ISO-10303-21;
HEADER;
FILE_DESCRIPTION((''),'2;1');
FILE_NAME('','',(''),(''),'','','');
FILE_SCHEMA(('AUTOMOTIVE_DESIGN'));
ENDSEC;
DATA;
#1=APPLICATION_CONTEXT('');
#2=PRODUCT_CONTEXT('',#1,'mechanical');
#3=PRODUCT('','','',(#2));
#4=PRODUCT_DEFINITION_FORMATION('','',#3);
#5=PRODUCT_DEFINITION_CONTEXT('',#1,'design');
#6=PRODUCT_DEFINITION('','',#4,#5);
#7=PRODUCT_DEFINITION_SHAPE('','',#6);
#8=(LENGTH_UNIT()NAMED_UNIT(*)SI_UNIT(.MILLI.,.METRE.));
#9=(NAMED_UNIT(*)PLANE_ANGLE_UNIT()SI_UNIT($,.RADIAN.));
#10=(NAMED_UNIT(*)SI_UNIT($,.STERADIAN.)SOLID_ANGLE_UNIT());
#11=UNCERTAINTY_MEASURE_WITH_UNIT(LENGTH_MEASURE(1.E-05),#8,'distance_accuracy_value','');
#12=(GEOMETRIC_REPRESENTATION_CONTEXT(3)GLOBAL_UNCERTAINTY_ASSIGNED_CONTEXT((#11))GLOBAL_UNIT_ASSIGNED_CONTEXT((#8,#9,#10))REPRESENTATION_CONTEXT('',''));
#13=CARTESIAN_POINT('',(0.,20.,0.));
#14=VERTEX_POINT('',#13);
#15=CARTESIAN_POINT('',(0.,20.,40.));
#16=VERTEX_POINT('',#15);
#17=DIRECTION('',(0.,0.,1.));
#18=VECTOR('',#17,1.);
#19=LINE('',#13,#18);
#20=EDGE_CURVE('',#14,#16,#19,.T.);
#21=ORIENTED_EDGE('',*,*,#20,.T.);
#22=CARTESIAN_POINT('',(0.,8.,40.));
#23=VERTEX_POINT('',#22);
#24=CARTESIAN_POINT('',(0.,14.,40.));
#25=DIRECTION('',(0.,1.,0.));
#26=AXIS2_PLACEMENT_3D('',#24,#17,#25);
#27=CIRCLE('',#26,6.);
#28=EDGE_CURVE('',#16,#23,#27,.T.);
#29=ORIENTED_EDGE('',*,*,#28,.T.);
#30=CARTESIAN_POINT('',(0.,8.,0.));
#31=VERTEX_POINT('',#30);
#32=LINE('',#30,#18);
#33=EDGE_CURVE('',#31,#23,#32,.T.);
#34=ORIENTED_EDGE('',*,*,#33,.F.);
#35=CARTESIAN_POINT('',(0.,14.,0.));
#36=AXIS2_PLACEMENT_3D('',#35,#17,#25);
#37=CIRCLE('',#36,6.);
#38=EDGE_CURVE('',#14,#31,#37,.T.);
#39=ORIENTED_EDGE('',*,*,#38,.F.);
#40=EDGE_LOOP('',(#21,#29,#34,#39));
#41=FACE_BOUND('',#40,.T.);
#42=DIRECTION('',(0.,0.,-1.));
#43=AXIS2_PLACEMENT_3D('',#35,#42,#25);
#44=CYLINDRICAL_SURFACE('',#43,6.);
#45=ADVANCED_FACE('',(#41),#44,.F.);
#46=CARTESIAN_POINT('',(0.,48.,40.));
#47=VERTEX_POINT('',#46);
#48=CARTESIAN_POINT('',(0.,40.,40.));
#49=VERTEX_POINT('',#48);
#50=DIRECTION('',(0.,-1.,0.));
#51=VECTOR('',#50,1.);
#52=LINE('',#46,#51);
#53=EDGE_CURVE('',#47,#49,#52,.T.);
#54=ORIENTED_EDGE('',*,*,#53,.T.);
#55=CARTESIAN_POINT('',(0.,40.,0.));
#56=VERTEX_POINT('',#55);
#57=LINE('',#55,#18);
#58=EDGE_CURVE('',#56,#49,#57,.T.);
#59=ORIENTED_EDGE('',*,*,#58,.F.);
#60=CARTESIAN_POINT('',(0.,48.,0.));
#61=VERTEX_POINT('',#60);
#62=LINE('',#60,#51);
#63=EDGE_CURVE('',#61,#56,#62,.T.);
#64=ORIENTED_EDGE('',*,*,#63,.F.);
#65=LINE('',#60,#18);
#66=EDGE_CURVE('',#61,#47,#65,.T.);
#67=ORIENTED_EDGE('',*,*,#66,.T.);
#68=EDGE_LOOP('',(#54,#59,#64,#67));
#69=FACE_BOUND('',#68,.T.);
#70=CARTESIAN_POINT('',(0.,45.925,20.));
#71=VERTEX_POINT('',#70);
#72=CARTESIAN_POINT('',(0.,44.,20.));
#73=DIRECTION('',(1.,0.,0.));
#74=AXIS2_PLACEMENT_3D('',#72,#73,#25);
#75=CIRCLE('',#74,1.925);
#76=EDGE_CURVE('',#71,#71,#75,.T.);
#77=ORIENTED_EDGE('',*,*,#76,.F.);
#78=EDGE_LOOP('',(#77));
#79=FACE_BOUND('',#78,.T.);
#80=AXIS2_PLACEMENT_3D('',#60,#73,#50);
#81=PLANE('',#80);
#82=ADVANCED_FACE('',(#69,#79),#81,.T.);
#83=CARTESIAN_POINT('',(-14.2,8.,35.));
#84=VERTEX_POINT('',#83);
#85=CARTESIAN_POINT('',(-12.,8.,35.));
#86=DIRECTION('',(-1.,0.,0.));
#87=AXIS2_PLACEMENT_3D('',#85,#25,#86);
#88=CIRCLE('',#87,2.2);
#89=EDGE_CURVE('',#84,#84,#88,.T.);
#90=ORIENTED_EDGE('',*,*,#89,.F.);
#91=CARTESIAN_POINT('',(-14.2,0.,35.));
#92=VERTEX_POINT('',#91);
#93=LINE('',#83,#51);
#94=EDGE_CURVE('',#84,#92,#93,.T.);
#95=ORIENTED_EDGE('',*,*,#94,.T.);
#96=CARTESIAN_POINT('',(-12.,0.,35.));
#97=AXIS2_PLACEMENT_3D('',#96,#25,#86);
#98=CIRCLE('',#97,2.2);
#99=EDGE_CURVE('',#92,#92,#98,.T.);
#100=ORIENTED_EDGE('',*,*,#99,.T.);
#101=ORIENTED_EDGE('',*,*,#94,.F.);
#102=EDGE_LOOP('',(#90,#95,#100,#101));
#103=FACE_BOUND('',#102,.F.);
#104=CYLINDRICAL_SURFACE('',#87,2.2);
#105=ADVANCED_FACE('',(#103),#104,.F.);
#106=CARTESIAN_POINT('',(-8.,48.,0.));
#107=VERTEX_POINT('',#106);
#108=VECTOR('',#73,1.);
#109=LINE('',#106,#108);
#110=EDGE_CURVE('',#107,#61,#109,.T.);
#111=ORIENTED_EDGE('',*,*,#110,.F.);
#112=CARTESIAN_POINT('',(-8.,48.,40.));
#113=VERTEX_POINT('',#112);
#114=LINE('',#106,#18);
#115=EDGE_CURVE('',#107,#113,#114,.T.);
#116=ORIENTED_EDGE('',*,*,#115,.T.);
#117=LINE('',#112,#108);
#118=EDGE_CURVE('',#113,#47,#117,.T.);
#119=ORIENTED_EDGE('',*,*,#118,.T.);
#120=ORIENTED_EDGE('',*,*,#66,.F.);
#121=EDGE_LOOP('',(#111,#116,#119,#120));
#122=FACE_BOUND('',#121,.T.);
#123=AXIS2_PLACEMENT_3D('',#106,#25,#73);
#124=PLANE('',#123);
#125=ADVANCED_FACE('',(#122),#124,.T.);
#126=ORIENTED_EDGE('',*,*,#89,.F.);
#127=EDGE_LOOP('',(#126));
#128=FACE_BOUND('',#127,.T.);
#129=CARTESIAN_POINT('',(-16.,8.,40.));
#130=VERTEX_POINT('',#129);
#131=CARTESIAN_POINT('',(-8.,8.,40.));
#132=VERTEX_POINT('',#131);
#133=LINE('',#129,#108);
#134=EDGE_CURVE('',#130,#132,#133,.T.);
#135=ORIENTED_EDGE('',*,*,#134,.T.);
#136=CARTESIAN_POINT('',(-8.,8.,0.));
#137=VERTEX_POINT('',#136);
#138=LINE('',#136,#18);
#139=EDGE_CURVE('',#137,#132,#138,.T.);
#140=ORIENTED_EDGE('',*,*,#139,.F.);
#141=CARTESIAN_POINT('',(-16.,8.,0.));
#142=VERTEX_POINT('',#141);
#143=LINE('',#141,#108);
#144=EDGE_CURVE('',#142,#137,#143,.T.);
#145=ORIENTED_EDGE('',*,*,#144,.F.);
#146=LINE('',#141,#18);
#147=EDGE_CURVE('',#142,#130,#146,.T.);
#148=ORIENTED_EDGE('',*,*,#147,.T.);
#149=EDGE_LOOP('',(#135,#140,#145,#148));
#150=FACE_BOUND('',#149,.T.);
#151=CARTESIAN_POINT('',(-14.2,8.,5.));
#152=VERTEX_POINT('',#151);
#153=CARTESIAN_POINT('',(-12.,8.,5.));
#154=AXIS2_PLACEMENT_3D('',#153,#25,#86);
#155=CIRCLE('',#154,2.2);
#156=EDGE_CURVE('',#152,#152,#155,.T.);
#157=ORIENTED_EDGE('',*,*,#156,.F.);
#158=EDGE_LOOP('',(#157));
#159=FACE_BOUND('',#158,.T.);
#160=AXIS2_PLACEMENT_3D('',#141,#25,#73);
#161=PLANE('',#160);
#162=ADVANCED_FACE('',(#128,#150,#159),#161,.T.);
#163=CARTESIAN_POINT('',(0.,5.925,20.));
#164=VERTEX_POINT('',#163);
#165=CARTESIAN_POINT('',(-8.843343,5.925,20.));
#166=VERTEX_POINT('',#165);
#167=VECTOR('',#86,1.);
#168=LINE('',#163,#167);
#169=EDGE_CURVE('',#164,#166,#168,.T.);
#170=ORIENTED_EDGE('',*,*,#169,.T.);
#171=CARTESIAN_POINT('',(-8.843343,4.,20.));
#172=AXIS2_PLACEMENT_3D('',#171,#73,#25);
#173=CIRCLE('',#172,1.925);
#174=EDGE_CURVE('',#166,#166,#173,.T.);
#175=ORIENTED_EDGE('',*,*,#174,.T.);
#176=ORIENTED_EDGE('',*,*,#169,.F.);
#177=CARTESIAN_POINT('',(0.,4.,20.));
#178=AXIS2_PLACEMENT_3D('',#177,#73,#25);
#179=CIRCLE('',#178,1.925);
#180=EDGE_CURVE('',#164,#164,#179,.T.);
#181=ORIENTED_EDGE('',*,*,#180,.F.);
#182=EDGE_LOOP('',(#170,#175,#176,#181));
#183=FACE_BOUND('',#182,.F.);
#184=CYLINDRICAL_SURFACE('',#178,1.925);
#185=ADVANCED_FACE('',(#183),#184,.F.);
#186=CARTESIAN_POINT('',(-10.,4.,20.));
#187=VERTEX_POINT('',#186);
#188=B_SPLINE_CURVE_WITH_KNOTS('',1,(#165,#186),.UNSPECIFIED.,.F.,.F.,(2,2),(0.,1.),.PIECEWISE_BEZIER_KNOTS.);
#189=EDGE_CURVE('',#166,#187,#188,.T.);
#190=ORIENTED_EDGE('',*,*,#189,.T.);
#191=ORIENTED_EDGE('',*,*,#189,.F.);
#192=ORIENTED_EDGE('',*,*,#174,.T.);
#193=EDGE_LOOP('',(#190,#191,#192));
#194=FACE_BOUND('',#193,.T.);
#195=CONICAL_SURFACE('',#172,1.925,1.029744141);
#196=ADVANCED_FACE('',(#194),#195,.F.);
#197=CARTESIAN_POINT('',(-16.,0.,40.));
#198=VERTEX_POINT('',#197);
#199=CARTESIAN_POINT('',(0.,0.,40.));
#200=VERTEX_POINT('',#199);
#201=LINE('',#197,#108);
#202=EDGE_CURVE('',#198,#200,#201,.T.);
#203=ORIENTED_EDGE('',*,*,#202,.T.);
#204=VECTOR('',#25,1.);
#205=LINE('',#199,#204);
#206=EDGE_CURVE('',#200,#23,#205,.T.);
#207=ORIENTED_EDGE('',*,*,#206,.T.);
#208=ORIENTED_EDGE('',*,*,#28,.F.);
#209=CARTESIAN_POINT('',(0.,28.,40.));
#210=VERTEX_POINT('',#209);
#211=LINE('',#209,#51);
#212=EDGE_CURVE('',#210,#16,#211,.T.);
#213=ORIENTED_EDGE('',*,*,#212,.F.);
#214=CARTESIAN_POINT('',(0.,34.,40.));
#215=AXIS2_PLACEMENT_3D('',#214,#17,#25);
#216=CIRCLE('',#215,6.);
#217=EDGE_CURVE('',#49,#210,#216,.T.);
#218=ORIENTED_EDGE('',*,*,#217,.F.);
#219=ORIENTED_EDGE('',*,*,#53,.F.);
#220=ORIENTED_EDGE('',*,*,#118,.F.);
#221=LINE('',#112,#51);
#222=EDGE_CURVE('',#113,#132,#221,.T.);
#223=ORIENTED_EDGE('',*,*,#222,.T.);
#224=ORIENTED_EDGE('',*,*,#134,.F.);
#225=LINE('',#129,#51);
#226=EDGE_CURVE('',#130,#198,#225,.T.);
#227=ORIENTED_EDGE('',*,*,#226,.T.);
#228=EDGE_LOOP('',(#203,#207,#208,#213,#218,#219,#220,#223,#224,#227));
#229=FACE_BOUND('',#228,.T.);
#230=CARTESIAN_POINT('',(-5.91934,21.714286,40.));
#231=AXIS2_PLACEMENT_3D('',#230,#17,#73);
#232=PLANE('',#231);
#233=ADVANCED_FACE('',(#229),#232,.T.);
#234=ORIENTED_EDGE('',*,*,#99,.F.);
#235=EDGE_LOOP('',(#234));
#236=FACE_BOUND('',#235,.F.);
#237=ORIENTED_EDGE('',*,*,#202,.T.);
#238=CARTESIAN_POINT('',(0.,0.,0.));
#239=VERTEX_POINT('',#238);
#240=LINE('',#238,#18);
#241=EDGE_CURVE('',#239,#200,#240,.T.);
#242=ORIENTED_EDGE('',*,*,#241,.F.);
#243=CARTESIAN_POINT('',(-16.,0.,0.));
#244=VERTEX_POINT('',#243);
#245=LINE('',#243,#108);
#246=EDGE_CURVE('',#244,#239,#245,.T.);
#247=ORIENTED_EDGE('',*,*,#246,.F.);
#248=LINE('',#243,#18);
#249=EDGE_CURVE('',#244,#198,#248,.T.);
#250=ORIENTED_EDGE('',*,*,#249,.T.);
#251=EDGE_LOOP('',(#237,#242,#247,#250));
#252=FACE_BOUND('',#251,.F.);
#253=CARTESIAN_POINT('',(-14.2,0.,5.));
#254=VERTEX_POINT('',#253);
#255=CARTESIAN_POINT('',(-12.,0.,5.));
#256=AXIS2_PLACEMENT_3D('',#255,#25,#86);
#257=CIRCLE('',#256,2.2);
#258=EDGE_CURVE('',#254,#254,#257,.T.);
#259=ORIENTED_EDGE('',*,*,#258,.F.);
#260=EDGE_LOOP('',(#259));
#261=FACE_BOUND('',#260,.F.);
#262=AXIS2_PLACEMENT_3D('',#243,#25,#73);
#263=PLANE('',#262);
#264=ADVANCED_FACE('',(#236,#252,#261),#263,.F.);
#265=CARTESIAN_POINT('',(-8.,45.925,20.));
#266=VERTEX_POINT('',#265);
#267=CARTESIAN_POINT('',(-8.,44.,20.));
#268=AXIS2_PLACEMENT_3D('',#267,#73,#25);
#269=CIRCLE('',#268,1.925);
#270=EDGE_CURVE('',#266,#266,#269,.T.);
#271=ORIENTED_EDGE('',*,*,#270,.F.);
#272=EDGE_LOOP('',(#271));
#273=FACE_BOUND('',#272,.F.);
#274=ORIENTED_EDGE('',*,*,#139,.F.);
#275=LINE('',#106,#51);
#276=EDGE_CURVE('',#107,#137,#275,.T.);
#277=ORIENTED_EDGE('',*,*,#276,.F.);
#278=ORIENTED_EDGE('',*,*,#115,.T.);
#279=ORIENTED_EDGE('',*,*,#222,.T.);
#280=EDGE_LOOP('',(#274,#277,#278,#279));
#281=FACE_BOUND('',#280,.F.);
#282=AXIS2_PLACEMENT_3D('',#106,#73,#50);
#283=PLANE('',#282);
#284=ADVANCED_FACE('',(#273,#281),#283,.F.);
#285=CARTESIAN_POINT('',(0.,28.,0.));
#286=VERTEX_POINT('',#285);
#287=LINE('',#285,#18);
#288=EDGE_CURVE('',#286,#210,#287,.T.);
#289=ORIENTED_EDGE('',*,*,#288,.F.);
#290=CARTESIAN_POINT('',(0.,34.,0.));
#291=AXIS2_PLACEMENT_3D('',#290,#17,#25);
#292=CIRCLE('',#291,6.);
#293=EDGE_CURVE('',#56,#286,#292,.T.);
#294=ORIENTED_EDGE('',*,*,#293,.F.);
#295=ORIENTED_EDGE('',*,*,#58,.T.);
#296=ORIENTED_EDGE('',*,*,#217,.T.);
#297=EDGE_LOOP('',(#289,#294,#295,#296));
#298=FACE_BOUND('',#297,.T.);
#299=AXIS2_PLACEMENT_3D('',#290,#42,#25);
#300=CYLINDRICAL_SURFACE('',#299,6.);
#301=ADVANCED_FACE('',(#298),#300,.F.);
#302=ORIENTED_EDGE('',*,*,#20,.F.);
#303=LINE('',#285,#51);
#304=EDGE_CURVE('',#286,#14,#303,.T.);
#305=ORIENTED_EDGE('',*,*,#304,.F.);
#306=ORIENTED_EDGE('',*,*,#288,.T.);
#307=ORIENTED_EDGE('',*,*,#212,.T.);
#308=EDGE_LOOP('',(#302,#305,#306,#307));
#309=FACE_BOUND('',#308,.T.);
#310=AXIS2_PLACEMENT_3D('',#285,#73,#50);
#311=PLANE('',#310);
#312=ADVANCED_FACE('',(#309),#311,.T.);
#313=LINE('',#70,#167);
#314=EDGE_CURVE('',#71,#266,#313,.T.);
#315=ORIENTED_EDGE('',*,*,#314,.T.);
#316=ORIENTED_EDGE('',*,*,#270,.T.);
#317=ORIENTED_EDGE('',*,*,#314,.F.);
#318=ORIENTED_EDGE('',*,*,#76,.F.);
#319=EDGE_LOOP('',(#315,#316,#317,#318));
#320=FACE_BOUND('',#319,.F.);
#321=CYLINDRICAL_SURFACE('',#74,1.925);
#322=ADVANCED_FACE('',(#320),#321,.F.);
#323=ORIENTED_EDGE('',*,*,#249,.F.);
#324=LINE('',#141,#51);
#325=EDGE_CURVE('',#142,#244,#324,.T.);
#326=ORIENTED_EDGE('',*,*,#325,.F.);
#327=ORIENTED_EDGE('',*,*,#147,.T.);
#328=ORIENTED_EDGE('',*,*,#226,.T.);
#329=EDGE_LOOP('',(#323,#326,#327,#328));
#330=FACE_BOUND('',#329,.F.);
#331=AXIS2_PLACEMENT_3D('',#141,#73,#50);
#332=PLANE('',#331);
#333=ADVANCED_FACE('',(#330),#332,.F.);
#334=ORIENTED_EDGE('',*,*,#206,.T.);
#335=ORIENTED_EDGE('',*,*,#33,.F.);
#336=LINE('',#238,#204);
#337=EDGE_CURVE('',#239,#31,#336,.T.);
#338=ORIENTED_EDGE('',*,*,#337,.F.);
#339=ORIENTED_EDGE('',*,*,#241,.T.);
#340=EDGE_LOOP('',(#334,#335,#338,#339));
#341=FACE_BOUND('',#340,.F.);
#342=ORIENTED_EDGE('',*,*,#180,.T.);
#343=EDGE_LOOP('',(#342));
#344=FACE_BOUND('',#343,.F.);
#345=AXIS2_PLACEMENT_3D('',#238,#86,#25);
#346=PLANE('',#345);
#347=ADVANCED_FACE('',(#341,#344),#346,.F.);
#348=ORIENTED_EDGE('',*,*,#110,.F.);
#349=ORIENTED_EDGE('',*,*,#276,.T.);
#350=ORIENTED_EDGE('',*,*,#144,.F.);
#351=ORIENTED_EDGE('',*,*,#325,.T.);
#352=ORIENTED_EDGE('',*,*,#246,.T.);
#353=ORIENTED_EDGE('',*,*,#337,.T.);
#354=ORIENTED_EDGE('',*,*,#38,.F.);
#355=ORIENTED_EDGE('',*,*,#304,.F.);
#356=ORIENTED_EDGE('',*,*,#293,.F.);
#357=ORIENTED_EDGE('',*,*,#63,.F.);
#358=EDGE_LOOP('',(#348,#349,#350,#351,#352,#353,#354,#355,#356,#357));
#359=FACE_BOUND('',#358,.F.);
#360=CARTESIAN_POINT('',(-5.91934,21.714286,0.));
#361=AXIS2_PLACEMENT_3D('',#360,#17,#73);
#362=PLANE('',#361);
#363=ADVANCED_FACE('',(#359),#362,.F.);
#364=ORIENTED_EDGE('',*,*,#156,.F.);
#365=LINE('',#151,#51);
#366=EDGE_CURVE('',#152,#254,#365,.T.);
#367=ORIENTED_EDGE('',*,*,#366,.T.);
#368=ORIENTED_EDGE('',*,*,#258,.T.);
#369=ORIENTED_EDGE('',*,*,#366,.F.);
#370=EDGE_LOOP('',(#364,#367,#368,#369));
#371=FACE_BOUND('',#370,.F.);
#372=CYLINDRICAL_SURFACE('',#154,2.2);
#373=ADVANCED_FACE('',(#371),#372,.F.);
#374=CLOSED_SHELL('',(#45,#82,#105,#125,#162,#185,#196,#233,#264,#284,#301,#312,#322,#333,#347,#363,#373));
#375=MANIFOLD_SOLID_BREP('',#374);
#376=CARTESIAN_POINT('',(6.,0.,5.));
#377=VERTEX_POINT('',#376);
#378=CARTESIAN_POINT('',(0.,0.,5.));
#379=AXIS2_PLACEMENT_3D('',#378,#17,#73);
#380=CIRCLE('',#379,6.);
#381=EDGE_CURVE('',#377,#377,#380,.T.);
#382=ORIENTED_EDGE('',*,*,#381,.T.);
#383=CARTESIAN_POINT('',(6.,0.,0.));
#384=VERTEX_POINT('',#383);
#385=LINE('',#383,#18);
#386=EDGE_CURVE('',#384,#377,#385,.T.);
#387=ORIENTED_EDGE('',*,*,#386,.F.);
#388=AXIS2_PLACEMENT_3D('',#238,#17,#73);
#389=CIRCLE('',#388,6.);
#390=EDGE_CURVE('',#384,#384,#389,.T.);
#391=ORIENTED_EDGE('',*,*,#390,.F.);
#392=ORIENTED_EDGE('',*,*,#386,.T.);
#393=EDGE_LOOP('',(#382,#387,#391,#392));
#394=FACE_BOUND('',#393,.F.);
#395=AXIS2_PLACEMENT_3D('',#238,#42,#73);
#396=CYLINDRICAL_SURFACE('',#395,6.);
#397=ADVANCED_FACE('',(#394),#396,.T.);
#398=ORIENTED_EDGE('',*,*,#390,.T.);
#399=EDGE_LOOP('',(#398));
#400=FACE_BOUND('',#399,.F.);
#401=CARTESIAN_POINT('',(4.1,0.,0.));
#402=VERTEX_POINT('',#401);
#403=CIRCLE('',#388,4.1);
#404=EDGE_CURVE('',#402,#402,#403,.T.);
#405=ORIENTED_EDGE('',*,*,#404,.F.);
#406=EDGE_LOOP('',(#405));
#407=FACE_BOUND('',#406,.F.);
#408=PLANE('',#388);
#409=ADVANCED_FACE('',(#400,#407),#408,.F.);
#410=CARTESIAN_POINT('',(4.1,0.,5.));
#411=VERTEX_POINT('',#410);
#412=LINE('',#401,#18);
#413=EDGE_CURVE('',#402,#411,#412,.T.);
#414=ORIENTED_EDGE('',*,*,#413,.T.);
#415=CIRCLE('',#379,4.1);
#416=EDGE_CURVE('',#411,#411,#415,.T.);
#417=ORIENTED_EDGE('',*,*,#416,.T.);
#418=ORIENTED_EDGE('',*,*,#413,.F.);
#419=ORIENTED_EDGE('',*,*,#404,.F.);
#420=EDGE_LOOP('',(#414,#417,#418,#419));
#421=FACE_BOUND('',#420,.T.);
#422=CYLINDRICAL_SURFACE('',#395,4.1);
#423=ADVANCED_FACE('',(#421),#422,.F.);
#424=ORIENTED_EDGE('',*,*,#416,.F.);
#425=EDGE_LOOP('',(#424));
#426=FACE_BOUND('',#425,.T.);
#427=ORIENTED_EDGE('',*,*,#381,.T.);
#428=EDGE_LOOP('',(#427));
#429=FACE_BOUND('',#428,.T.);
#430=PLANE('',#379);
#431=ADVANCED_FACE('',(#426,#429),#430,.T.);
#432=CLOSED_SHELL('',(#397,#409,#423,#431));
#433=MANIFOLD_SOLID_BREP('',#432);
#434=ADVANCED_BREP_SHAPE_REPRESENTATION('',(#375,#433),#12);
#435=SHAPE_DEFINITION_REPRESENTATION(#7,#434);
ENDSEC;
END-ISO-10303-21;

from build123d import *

# Parameters (mm, degrees)
PAD001_DEPTH  = 40
SKETCH005_R   = 2.2
HOLE003_DEPTH = 25
SKETCH004_R   = 1.925
HOLE_DEPTH    = 8.843343
HOLE_TIPS_R   = 1.925
SKETCH_R      = 6
SKETCH_R_2    = 4.1
PAD_DEPTH     = 5


with BuildPart() as mount:
    # Sketch003 → Pad001 (new body)
    with BuildSketch(Plane.XY):
        with BuildLine():
            Line((-16, 8), (-16, 0))
            Line((-16, 0), (0, 0))
            Line((0, 0), (0, 8))
            ThreePointArc((0, 20), (-6, 14), (0, 8))
            Line((0, 28), (0, 20))
            ThreePointArc((0, 40), (-6, 34), (0, 28))
            Line((0, 48), (0, 40))
            Line((-8, 48), (0, 48))
            Line((-8, 48), (-8, 8))
            Line((-16, 8), (-8, 8))
        make_face()
    extrude(amount=PAD001_DEPTH)

    # Sketch005 → Hole003 (cut)
    with BuildSketch(Plane(origin=(0, 8, 0), x_dir=(-1, 0, 0), z_dir=(0, 1, 0))):
        with Locations((12, 5)):
            Circle(SKETCH005_R)
        with Locations((12, 35)):
            Circle(SKETCH005_R)
    extrude(amount=-HOLE003_DEPTH, mode=Mode.SUBTRACT)

    # Sketch004 (on Face9 of Pad001) → Hole (cut)
    with BuildSketch(Plane.YZ):
        with Locations((4, 20)):
            Circle(SKETCH004_R)
        with Locations((44, 20)):
            Circle(SKETCH004_R)
    extrude(amount=-HOLE_DEPTH, mode=Mode.SUBTRACT)

    # Hole tips → Hole tip 1 section 0
    with BuildSketch(Plane.YZ.offset(-8.843343), mode=Mode.PRIVATE) as hole_tip_1_s0:
        with Locations((4, 20)):
            Circle(HOLE_TIPS_R)
    loft([hole_tip_1_s0.sketch, Vertex(-10, 4, 20)], mode=Mode.SUBTRACT)

    # Hole tips → Hole tip 2 section 0
    with BuildSketch(Plane.YZ.offset(-8.843343), mode=Mode.PRIVATE) as hole_tip_2_s0:
        with Locations((44, 20)):
            Circle(HOLE_TIPS_R)
    loft([hole_tip_2_s0.sketch, Vertex(-10, 44, 20)], mode=Mode.SUBTRACT)


with BuildPart() as adapter:
    # Sketch → Pad (new body)
    with BuildSketch(Plane.XY):
        Circle(SKETCH_R)
        Circle(SKETCH_R_2, mode=Mode.SUBTRACT)
    extrude(amount=PAD_DEPTH)


solid = Compound([mount.part, adapter.part])
